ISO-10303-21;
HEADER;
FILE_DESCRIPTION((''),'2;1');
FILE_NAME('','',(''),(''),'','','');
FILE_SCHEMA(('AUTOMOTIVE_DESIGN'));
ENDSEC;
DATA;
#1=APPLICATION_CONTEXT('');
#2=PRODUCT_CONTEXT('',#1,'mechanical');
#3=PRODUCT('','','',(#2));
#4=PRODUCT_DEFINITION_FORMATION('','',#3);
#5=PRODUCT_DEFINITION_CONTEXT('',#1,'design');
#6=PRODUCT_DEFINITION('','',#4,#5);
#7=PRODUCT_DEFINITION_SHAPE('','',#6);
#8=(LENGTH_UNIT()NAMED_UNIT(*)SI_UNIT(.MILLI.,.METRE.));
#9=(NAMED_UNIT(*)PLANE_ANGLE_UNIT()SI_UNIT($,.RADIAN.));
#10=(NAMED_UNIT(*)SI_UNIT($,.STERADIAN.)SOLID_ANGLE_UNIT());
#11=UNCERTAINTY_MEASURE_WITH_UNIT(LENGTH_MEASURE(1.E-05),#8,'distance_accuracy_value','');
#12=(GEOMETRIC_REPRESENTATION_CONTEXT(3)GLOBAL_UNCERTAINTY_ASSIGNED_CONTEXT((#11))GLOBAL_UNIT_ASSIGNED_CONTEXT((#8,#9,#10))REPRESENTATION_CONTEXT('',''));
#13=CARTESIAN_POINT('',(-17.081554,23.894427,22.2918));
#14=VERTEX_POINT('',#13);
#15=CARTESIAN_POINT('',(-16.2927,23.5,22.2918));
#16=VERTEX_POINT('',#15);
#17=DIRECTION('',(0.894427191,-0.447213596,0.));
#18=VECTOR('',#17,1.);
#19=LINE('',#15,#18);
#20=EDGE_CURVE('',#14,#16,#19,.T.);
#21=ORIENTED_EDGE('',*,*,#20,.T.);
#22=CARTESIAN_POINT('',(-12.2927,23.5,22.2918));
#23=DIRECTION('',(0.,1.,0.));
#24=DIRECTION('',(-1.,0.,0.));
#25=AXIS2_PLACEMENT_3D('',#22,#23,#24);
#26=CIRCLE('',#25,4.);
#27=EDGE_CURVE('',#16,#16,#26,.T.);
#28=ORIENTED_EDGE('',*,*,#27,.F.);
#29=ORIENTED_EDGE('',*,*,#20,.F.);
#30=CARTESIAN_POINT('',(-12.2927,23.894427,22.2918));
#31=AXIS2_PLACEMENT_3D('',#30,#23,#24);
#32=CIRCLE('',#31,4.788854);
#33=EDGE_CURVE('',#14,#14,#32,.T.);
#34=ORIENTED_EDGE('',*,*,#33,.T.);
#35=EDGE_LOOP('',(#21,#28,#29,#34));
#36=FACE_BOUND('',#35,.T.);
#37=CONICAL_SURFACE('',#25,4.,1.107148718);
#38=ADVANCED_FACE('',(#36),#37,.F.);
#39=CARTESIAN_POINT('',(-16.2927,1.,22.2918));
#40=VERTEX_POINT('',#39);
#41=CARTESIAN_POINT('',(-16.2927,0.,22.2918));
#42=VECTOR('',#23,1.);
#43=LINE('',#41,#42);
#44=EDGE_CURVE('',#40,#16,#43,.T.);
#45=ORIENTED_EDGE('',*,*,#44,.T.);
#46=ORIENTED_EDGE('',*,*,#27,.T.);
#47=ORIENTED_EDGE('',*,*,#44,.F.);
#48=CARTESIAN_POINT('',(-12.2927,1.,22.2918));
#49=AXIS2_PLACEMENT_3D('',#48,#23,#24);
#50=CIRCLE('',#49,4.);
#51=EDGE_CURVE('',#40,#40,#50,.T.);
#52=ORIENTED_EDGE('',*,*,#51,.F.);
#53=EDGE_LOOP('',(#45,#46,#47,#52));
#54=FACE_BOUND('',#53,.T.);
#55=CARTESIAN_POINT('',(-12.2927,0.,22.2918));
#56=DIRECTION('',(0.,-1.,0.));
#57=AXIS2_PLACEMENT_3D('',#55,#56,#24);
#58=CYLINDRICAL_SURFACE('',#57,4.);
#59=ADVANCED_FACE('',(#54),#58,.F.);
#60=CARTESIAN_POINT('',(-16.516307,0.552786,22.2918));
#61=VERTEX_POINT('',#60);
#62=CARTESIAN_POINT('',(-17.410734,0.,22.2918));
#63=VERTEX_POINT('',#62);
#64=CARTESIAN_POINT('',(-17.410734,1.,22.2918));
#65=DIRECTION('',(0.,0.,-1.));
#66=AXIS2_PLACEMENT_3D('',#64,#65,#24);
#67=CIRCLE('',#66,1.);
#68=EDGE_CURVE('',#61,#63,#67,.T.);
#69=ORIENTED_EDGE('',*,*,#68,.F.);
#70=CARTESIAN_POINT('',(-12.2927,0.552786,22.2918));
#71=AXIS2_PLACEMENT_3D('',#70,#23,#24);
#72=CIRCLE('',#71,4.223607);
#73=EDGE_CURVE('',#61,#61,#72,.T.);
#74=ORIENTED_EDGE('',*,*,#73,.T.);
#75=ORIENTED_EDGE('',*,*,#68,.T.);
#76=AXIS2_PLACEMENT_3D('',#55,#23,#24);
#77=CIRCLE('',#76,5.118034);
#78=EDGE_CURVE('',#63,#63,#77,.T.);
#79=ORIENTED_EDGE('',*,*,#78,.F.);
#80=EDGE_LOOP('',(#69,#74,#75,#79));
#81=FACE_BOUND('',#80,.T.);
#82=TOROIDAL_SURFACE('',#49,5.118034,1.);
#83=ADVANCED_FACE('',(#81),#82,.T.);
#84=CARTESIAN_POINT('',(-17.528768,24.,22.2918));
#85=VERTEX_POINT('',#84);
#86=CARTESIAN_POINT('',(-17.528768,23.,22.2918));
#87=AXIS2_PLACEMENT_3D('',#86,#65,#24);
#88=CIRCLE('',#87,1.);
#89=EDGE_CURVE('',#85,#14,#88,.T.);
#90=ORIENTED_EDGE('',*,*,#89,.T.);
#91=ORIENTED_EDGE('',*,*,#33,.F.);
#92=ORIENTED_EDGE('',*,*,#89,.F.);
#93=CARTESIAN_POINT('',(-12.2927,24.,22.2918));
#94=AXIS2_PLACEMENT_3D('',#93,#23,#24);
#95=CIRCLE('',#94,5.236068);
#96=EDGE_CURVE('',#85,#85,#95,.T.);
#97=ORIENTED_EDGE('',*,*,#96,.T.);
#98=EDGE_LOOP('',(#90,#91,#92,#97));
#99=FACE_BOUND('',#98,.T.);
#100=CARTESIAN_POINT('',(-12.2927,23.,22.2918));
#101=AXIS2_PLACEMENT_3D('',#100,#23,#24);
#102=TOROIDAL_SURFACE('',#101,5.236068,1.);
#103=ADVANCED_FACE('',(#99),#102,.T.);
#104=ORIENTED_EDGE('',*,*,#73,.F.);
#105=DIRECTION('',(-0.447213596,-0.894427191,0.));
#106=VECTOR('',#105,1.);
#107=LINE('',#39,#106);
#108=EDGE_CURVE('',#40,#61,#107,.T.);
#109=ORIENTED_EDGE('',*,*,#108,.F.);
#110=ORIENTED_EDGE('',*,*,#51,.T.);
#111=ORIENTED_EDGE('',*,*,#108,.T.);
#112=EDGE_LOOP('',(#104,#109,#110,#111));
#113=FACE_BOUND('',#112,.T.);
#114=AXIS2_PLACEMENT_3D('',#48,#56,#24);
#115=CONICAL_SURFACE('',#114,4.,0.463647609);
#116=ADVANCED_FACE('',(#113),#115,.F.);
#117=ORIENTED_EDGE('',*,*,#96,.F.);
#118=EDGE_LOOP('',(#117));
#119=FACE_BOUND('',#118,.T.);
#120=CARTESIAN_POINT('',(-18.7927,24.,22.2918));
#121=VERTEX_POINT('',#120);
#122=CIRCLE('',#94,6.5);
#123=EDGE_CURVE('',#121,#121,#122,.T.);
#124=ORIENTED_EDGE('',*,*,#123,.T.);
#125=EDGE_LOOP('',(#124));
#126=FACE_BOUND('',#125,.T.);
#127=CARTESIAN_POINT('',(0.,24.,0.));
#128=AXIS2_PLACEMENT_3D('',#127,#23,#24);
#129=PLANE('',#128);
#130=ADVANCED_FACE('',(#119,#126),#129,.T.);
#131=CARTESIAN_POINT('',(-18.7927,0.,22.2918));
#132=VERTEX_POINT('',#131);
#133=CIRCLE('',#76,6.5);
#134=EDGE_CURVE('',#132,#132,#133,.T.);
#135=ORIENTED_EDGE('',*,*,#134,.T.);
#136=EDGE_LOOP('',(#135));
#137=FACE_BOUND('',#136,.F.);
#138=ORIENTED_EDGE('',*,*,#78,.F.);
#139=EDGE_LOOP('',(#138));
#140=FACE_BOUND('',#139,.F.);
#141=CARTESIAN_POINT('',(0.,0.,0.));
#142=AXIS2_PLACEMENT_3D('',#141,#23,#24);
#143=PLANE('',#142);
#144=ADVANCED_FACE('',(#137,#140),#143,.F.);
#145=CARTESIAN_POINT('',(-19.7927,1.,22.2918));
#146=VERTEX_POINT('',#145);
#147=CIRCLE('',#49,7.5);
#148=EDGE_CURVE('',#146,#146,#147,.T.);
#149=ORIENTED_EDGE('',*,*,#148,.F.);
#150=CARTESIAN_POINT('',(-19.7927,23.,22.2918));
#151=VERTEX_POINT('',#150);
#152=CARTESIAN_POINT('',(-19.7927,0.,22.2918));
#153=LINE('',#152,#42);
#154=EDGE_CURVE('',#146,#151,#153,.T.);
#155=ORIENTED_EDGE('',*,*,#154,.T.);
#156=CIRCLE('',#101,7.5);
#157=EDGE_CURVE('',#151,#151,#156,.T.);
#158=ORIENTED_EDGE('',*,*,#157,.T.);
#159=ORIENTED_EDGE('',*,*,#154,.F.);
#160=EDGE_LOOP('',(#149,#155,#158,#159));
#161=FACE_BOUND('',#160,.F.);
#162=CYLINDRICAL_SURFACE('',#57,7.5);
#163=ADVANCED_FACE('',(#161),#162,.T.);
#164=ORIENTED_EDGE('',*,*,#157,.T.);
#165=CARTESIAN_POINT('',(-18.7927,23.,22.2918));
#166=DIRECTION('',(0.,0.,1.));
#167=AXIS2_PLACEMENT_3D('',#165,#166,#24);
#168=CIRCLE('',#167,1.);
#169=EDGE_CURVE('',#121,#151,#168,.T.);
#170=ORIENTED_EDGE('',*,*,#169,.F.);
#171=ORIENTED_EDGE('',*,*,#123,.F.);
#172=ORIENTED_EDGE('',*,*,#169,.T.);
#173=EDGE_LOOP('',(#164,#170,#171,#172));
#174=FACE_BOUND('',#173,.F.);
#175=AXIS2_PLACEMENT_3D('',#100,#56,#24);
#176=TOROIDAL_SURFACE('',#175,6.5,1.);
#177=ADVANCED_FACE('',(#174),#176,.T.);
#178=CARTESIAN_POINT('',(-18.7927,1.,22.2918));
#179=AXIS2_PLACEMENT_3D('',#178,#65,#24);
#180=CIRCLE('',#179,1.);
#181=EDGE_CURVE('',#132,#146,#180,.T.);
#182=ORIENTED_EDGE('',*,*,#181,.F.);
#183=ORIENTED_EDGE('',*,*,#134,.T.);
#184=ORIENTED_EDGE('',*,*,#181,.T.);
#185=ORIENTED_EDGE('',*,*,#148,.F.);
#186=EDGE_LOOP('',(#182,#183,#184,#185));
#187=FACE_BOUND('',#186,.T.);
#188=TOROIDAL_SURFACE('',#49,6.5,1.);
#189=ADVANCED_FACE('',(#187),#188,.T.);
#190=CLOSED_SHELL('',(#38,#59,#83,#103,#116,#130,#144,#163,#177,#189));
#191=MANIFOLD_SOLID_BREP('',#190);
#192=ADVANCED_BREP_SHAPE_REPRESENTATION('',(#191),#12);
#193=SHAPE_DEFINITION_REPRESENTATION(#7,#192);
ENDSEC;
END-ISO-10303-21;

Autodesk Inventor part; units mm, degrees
ref_plane "YZ Plane" through (0, 0, 0) normal (1, 0, 0) x (0, 1, 0)
ref_plane "XZ Plane" through (0, 0, 0) normal (0, 1, 0) x (-1, 0, 0)
ref_plane "XY Plane" through (0, 0, 0) normal (0, 0, 1) x (1, 0, 0)
sketch "Sketch1" plane through (0, 0, 0) normal (0, 1, 0) x (-1, 0, 0)
  circle A0 centre (12.2927, 22.2918) radius 4
  circle A1 centre (12.2927, 22.2918) radius 7.5
  point P0 (0, 0)
  dimension "d0" = 8
  dimension "d1" = 15
extrude "Extrusion1" add sketch "Sketch1" along normal blind 24
chamfer "Chamfer1" distance 1 distance2 0.5 1 edges at (-8.2927, 24, 22.2918) measured on face at (-18.5146, 24, 21.3744)
fillet "Fillet2" radius 1 1 edges at (-4.7927, 24, 22.2918)
fillet "Fillet3" radius 1 1 edges at (-7.2927, 24, 22.2918)
chamfer "Chamfer2" distance 1 distance2 0.5 1 edges at (-8.2927, 0, 22.2918) measured on face at (-16.2409, 15.6667, 21.6501)
fillet "Fillet4" radius 1 1 edges at (-7.7927, 0, 22.2918)
fillet "Fillet5" radius 1 1 edges at (-4.7927, 0, 22.2918)
